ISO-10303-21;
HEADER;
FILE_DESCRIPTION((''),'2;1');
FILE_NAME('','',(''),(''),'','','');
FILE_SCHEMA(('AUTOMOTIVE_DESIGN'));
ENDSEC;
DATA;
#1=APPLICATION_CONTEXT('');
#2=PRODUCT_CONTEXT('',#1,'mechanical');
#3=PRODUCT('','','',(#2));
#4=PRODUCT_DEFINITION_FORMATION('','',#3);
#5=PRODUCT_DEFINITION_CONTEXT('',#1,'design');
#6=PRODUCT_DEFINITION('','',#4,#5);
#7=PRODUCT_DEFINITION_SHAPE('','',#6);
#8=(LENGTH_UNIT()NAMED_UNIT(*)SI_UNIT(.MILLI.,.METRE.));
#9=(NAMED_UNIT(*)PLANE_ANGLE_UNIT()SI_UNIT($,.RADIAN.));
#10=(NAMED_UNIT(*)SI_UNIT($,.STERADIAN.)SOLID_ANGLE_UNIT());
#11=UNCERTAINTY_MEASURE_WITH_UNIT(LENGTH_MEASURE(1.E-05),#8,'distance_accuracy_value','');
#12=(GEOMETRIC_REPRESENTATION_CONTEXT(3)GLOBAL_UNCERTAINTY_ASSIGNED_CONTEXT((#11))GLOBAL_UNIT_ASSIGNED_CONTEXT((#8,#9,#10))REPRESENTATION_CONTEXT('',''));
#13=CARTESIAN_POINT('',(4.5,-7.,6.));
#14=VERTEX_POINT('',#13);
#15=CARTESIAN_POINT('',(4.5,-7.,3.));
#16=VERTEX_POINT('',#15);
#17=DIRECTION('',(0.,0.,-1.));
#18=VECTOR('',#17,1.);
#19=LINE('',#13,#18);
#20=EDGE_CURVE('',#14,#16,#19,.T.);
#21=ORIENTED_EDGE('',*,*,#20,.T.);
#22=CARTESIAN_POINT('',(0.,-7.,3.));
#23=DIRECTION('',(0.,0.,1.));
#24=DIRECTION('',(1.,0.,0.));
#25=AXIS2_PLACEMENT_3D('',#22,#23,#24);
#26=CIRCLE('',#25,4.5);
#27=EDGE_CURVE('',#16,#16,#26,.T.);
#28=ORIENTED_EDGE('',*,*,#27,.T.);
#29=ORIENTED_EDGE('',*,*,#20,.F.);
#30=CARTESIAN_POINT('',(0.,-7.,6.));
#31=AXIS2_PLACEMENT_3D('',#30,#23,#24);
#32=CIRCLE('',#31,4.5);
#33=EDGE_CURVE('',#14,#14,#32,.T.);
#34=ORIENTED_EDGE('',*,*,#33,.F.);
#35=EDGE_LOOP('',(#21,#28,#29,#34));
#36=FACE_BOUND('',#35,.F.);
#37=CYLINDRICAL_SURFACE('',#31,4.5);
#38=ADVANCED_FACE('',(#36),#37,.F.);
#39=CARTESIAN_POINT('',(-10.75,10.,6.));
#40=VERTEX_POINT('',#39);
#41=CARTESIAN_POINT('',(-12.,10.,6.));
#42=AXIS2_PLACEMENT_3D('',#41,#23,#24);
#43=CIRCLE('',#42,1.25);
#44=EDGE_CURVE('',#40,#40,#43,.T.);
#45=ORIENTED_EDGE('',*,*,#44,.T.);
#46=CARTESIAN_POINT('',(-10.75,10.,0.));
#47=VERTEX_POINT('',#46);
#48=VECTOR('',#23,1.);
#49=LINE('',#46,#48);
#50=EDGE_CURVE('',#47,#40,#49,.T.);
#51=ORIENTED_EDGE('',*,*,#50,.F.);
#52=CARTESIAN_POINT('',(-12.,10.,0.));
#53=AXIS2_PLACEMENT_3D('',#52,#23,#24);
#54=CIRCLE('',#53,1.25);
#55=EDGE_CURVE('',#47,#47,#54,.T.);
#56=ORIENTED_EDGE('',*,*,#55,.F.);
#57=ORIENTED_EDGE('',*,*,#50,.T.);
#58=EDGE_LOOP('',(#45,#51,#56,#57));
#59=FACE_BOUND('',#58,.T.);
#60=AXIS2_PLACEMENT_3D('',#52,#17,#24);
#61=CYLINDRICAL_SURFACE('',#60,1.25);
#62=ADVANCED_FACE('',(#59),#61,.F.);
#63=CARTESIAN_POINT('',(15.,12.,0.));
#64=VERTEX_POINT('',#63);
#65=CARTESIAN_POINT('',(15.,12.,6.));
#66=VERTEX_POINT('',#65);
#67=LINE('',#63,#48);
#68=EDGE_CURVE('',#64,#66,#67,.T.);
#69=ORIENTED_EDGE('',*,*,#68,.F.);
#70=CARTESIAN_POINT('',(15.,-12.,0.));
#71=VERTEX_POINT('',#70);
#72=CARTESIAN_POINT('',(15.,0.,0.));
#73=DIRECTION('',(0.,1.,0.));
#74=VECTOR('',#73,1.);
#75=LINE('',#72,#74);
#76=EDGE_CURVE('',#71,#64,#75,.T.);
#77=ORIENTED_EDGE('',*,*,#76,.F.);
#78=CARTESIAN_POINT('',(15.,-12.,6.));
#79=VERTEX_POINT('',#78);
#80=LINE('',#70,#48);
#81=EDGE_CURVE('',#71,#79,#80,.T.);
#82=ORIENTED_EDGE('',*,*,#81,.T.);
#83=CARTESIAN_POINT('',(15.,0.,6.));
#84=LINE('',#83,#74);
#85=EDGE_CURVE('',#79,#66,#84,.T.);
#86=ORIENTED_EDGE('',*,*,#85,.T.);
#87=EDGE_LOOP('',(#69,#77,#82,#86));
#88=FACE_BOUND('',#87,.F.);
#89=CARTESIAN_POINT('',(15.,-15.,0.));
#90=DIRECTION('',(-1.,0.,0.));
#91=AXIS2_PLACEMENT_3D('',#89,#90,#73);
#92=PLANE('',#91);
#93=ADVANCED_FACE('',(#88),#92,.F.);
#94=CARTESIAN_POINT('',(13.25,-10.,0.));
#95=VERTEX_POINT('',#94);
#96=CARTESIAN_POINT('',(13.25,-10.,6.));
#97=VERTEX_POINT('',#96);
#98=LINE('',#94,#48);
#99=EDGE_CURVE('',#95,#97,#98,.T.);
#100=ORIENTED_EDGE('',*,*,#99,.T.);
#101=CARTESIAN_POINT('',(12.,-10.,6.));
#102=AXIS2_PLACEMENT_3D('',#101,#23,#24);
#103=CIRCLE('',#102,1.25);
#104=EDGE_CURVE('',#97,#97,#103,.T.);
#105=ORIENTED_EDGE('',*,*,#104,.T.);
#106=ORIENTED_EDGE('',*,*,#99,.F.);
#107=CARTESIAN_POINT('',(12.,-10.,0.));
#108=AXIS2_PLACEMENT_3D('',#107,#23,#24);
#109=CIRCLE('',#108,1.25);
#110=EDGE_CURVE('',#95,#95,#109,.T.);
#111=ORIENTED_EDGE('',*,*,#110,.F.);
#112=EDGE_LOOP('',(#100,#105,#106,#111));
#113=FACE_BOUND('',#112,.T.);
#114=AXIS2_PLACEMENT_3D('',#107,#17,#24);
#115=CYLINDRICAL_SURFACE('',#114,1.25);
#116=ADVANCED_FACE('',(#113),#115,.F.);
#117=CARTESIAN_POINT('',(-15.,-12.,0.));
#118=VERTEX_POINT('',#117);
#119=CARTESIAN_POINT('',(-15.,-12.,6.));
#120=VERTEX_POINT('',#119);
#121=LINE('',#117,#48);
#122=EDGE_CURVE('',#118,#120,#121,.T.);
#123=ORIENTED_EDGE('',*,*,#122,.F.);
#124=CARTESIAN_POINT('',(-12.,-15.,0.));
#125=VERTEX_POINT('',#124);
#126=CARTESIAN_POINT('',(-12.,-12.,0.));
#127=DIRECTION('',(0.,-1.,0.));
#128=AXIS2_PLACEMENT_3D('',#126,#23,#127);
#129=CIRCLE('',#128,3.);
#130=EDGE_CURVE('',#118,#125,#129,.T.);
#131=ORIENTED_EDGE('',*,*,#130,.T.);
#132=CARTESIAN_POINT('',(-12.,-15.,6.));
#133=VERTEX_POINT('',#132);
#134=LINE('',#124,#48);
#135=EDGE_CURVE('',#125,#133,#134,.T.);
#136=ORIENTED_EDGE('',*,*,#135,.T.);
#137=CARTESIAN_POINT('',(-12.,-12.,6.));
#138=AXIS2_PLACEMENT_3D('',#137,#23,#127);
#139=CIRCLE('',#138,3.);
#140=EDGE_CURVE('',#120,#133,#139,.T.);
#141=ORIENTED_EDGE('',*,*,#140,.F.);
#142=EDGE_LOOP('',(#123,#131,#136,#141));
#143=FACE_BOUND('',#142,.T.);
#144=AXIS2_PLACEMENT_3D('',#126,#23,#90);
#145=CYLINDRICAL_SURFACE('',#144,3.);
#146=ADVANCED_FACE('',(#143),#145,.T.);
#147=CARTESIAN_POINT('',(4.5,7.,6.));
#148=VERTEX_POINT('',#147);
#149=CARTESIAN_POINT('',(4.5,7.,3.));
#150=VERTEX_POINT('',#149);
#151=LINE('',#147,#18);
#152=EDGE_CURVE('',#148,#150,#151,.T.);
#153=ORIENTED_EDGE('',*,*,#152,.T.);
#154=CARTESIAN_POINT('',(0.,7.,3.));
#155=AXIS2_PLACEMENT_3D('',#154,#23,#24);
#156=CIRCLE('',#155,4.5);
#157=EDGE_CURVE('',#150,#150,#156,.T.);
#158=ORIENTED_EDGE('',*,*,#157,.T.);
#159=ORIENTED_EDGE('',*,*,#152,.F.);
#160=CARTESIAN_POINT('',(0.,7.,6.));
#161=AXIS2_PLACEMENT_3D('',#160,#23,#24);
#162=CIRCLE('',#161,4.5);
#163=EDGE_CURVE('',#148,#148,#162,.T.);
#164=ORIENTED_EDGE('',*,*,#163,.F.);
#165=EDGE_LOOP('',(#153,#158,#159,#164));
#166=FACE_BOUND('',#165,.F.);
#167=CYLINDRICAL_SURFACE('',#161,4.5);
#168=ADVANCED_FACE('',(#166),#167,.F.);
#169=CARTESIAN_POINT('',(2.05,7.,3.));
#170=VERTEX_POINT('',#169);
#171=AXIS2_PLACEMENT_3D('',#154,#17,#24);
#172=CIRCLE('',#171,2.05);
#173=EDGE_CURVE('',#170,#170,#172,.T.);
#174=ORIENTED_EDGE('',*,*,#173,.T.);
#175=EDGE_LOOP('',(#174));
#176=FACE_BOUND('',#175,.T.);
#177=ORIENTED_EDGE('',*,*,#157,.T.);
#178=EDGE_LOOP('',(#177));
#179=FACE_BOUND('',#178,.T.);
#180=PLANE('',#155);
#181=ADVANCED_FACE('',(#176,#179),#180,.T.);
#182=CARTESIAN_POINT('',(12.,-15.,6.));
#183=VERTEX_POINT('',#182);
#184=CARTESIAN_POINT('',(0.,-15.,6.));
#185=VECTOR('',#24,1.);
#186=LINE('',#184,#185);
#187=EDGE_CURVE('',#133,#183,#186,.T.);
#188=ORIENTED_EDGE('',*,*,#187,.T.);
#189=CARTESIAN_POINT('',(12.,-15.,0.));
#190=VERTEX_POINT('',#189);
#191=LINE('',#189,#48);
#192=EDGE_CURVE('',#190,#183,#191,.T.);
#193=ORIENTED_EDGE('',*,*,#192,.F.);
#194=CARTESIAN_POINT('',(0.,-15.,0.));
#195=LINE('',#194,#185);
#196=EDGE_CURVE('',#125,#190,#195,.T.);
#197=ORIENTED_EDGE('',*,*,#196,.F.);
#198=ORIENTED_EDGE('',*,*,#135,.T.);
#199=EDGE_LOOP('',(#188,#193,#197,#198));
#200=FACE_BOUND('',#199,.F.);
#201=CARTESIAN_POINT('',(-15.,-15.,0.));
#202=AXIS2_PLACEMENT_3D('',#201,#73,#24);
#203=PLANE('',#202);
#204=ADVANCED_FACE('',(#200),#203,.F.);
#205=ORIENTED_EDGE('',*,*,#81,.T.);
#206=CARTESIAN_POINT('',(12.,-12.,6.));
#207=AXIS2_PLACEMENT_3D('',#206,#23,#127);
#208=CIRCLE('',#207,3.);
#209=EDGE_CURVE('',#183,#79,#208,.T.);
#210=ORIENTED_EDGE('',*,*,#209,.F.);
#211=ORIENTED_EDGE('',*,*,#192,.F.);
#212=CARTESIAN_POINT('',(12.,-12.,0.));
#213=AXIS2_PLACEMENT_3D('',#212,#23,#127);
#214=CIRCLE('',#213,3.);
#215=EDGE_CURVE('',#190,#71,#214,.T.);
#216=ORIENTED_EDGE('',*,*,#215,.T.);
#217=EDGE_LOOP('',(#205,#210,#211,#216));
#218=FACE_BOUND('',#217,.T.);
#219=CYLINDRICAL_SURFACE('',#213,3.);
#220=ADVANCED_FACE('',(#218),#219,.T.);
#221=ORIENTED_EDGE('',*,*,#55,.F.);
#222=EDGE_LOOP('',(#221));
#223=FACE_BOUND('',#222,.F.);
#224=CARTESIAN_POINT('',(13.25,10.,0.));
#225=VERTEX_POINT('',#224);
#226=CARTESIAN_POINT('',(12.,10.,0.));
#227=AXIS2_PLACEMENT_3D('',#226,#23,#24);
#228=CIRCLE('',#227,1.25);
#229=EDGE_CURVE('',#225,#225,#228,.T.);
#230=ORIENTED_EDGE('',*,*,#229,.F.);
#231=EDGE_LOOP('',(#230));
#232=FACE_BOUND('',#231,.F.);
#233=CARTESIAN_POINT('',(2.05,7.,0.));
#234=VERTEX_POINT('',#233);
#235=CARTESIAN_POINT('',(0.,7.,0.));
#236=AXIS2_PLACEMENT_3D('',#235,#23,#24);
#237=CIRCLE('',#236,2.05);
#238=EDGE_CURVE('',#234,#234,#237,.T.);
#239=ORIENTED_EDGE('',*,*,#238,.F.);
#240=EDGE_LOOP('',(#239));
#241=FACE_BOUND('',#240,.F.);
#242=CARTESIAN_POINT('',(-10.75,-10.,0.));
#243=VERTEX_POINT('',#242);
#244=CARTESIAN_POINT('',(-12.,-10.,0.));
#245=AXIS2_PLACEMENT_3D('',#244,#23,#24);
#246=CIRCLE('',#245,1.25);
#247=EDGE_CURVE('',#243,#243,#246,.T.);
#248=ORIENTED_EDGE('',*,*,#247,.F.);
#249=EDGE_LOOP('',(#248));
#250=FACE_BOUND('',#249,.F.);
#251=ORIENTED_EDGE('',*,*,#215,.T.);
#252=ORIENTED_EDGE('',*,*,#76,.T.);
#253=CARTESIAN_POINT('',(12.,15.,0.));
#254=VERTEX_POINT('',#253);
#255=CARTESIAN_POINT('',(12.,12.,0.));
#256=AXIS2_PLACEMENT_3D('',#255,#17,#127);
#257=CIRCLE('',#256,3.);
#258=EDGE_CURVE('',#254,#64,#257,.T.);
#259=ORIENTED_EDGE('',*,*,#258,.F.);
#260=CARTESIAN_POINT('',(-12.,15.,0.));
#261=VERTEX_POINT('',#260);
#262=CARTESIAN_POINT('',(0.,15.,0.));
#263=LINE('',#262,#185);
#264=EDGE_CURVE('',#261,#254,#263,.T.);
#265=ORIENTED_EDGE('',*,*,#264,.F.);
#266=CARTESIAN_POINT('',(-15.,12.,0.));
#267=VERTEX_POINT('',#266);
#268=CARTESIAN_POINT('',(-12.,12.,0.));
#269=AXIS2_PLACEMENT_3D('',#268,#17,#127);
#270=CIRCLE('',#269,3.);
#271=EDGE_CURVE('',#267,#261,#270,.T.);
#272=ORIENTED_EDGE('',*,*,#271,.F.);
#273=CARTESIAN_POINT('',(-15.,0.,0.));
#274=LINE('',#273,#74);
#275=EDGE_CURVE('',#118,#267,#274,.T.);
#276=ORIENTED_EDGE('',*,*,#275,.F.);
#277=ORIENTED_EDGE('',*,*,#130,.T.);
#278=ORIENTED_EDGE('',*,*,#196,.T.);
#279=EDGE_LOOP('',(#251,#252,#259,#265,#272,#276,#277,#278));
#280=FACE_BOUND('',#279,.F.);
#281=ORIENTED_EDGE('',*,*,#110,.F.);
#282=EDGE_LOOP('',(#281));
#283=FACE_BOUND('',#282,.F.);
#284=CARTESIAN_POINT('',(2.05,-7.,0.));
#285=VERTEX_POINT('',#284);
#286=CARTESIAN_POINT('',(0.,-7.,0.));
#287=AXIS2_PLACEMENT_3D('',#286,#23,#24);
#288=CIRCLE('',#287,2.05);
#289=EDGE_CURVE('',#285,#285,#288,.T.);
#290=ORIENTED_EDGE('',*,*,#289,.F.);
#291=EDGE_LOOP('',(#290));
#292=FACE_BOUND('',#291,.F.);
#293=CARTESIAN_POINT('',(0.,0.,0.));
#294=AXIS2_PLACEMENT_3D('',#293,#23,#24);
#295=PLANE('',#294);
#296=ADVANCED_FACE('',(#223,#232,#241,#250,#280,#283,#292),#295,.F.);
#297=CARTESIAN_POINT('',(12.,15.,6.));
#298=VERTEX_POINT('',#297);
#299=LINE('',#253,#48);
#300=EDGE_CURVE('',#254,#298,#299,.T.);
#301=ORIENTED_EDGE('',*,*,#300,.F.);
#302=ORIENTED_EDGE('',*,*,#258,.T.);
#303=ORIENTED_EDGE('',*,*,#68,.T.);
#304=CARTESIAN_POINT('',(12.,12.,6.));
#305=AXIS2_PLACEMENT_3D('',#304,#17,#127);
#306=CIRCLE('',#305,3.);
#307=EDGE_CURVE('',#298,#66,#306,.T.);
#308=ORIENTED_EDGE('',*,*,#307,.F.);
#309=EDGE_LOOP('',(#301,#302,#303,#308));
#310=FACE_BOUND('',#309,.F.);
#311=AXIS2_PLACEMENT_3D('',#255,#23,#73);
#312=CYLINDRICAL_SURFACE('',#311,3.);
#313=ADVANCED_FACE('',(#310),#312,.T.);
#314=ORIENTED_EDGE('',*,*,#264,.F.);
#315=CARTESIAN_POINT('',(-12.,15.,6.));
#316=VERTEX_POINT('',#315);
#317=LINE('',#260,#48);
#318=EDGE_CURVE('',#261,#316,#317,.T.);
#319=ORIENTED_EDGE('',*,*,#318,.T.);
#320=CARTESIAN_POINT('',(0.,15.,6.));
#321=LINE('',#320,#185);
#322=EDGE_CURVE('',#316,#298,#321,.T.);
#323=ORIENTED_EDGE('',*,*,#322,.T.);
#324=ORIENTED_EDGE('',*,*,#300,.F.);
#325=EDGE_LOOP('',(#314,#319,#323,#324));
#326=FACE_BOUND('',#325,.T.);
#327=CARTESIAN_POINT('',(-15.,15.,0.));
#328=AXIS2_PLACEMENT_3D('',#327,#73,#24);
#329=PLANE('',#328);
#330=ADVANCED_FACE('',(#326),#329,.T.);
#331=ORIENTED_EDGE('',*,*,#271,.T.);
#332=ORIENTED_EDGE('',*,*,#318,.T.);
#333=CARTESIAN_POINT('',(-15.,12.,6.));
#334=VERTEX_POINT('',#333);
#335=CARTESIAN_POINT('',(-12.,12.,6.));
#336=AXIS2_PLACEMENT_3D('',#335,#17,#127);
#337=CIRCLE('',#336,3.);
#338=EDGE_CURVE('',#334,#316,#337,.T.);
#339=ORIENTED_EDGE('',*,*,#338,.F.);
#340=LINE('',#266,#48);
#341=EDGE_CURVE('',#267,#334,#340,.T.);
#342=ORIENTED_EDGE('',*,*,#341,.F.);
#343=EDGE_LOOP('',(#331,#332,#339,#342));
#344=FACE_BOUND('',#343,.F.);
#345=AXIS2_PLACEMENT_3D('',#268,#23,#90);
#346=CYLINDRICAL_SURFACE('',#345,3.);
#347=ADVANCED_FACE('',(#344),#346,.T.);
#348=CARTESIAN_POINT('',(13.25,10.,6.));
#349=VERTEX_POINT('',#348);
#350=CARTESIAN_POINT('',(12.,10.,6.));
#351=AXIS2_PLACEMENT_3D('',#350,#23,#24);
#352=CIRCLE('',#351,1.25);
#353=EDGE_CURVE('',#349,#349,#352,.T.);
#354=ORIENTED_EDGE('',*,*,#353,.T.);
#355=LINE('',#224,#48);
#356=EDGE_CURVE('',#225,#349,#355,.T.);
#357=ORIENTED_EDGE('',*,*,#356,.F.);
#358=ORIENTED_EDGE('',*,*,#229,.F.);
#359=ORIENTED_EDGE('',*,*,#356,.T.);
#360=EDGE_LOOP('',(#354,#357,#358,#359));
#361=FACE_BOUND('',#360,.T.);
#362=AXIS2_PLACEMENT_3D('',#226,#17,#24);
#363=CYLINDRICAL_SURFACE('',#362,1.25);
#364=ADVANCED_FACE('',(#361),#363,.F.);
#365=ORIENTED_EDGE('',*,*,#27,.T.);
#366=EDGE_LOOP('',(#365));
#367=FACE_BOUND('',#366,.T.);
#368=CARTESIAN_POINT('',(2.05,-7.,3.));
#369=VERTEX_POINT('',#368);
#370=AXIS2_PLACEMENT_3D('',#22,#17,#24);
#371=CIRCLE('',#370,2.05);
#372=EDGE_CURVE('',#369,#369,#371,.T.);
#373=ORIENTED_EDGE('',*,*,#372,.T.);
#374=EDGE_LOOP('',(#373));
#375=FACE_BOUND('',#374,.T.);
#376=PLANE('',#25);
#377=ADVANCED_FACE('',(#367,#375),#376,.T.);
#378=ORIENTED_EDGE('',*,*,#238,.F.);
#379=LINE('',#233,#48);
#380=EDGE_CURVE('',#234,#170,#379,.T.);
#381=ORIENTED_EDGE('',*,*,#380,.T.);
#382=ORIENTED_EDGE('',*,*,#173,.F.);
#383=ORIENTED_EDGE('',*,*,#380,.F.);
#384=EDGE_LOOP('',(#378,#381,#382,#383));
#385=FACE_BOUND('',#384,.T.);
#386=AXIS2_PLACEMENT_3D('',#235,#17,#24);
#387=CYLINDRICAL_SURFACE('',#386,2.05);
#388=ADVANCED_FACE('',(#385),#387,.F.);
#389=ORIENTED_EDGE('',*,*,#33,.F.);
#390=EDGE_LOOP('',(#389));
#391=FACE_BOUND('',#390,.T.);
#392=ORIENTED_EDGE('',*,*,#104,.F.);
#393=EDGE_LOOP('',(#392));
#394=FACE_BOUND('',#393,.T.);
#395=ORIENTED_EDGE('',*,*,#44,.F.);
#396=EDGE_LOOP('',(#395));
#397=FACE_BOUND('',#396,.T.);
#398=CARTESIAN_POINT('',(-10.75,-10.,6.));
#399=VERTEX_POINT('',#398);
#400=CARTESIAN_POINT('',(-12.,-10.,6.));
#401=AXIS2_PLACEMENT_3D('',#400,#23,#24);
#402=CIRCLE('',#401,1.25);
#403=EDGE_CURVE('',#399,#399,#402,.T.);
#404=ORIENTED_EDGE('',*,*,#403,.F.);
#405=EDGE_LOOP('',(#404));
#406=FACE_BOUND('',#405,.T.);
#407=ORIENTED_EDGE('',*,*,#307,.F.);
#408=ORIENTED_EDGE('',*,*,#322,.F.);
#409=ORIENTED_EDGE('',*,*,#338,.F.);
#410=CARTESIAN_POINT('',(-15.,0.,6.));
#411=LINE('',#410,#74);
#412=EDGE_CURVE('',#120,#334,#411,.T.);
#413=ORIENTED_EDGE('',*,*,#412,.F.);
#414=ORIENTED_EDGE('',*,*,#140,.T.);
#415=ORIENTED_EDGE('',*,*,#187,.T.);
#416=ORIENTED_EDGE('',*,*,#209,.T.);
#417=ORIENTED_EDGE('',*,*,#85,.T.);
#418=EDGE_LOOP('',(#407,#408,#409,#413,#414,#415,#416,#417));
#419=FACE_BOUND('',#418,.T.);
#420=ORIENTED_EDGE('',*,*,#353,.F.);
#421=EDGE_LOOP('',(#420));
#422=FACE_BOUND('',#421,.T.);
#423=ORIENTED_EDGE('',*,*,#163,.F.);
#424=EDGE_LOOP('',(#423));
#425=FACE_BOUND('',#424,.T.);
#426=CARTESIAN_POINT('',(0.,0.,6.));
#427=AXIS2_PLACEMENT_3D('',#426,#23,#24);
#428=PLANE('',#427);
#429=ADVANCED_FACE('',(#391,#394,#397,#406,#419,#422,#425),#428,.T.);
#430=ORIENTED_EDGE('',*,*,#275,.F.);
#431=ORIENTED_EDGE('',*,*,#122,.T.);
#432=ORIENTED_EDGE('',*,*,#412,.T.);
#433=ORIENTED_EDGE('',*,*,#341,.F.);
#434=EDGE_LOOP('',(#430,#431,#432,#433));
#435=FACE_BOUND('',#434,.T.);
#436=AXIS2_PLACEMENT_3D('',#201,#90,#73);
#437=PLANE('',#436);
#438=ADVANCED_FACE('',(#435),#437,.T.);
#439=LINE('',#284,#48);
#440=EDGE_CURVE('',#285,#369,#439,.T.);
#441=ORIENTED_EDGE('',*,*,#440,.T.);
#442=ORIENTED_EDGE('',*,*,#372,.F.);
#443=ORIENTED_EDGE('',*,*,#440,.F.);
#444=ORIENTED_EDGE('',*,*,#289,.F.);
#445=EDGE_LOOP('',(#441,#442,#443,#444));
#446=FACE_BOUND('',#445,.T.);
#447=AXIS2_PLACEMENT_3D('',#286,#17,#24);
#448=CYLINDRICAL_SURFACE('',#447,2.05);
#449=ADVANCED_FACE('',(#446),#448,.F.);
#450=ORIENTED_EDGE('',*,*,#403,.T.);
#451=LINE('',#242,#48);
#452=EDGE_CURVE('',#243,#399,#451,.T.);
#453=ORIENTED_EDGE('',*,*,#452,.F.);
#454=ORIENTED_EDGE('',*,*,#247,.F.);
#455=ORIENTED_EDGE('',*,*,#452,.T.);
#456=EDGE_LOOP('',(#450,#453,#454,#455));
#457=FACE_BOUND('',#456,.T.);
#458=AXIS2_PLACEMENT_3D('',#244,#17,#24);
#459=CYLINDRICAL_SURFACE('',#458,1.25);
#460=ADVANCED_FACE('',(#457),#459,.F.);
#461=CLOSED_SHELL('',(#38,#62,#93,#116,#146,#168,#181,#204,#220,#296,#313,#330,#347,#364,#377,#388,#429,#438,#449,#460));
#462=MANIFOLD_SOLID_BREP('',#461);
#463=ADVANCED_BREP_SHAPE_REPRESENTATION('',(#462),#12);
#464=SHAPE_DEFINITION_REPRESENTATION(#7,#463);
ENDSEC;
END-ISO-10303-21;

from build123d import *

# Parameters (mm, degrees)
F0_W     = 30
F0_H     = 30
F0_R     = 1.25
F0_R_2   = 2.05
F1_DEPTH = 6
F2_R     = 4.5
F3_DEPTH = 3
F4_R     = 3


with BuildPart() as f1:
    # F0 (on Top) → F1 (new body)
    with BuildSketch(Plane.XY):
        Rectangle(F0_W, F0_H)
        with Locations((-12, -10)):
            Circle(F0_R, mode=Mode.SUBTRACT)
        with Locations((12, -10)):
            Circle(F0_R, mode=Mode.SUBTRACT)
        with Locations((0, -7)):
            Circle(F0_R_2, mode=Mode.SUBTRACT)
        with Locations((-12, 10)):
            Circle(F0_R, mode=Mode.SUBTRACT)
        with Locations((0, 7)):
            Circle(F0_R_2, mode=Mode.SUBTRACT)
        with Locations((12, 10)):
            Circle(F0_R, mode=Mode.SUBTRACT)
    extrude(amount=F1_DEPTH)

    # F2 (on face) → F3 (cut)
    with BuildSketch(Plane.XY.offset(6)):
        with Locations((0, 7)):
            Circle(F2_R)
        with Locations((0, -7)):
            Circle(F2_R)
    extrude(amount=-F3_DEPTH, mode=Mode.SUBTRACT)

    # F4
    f4_edges = [f1.edges().sort_by_distance(p)[0] for p in [
        (15, -15, 3),
        (15, 15, 3),
        (-15, -15, 3),
        (-15, 15, 3),
    ]]
    fillet(f4_edges, radius=F4_R)


solid = f1.part
